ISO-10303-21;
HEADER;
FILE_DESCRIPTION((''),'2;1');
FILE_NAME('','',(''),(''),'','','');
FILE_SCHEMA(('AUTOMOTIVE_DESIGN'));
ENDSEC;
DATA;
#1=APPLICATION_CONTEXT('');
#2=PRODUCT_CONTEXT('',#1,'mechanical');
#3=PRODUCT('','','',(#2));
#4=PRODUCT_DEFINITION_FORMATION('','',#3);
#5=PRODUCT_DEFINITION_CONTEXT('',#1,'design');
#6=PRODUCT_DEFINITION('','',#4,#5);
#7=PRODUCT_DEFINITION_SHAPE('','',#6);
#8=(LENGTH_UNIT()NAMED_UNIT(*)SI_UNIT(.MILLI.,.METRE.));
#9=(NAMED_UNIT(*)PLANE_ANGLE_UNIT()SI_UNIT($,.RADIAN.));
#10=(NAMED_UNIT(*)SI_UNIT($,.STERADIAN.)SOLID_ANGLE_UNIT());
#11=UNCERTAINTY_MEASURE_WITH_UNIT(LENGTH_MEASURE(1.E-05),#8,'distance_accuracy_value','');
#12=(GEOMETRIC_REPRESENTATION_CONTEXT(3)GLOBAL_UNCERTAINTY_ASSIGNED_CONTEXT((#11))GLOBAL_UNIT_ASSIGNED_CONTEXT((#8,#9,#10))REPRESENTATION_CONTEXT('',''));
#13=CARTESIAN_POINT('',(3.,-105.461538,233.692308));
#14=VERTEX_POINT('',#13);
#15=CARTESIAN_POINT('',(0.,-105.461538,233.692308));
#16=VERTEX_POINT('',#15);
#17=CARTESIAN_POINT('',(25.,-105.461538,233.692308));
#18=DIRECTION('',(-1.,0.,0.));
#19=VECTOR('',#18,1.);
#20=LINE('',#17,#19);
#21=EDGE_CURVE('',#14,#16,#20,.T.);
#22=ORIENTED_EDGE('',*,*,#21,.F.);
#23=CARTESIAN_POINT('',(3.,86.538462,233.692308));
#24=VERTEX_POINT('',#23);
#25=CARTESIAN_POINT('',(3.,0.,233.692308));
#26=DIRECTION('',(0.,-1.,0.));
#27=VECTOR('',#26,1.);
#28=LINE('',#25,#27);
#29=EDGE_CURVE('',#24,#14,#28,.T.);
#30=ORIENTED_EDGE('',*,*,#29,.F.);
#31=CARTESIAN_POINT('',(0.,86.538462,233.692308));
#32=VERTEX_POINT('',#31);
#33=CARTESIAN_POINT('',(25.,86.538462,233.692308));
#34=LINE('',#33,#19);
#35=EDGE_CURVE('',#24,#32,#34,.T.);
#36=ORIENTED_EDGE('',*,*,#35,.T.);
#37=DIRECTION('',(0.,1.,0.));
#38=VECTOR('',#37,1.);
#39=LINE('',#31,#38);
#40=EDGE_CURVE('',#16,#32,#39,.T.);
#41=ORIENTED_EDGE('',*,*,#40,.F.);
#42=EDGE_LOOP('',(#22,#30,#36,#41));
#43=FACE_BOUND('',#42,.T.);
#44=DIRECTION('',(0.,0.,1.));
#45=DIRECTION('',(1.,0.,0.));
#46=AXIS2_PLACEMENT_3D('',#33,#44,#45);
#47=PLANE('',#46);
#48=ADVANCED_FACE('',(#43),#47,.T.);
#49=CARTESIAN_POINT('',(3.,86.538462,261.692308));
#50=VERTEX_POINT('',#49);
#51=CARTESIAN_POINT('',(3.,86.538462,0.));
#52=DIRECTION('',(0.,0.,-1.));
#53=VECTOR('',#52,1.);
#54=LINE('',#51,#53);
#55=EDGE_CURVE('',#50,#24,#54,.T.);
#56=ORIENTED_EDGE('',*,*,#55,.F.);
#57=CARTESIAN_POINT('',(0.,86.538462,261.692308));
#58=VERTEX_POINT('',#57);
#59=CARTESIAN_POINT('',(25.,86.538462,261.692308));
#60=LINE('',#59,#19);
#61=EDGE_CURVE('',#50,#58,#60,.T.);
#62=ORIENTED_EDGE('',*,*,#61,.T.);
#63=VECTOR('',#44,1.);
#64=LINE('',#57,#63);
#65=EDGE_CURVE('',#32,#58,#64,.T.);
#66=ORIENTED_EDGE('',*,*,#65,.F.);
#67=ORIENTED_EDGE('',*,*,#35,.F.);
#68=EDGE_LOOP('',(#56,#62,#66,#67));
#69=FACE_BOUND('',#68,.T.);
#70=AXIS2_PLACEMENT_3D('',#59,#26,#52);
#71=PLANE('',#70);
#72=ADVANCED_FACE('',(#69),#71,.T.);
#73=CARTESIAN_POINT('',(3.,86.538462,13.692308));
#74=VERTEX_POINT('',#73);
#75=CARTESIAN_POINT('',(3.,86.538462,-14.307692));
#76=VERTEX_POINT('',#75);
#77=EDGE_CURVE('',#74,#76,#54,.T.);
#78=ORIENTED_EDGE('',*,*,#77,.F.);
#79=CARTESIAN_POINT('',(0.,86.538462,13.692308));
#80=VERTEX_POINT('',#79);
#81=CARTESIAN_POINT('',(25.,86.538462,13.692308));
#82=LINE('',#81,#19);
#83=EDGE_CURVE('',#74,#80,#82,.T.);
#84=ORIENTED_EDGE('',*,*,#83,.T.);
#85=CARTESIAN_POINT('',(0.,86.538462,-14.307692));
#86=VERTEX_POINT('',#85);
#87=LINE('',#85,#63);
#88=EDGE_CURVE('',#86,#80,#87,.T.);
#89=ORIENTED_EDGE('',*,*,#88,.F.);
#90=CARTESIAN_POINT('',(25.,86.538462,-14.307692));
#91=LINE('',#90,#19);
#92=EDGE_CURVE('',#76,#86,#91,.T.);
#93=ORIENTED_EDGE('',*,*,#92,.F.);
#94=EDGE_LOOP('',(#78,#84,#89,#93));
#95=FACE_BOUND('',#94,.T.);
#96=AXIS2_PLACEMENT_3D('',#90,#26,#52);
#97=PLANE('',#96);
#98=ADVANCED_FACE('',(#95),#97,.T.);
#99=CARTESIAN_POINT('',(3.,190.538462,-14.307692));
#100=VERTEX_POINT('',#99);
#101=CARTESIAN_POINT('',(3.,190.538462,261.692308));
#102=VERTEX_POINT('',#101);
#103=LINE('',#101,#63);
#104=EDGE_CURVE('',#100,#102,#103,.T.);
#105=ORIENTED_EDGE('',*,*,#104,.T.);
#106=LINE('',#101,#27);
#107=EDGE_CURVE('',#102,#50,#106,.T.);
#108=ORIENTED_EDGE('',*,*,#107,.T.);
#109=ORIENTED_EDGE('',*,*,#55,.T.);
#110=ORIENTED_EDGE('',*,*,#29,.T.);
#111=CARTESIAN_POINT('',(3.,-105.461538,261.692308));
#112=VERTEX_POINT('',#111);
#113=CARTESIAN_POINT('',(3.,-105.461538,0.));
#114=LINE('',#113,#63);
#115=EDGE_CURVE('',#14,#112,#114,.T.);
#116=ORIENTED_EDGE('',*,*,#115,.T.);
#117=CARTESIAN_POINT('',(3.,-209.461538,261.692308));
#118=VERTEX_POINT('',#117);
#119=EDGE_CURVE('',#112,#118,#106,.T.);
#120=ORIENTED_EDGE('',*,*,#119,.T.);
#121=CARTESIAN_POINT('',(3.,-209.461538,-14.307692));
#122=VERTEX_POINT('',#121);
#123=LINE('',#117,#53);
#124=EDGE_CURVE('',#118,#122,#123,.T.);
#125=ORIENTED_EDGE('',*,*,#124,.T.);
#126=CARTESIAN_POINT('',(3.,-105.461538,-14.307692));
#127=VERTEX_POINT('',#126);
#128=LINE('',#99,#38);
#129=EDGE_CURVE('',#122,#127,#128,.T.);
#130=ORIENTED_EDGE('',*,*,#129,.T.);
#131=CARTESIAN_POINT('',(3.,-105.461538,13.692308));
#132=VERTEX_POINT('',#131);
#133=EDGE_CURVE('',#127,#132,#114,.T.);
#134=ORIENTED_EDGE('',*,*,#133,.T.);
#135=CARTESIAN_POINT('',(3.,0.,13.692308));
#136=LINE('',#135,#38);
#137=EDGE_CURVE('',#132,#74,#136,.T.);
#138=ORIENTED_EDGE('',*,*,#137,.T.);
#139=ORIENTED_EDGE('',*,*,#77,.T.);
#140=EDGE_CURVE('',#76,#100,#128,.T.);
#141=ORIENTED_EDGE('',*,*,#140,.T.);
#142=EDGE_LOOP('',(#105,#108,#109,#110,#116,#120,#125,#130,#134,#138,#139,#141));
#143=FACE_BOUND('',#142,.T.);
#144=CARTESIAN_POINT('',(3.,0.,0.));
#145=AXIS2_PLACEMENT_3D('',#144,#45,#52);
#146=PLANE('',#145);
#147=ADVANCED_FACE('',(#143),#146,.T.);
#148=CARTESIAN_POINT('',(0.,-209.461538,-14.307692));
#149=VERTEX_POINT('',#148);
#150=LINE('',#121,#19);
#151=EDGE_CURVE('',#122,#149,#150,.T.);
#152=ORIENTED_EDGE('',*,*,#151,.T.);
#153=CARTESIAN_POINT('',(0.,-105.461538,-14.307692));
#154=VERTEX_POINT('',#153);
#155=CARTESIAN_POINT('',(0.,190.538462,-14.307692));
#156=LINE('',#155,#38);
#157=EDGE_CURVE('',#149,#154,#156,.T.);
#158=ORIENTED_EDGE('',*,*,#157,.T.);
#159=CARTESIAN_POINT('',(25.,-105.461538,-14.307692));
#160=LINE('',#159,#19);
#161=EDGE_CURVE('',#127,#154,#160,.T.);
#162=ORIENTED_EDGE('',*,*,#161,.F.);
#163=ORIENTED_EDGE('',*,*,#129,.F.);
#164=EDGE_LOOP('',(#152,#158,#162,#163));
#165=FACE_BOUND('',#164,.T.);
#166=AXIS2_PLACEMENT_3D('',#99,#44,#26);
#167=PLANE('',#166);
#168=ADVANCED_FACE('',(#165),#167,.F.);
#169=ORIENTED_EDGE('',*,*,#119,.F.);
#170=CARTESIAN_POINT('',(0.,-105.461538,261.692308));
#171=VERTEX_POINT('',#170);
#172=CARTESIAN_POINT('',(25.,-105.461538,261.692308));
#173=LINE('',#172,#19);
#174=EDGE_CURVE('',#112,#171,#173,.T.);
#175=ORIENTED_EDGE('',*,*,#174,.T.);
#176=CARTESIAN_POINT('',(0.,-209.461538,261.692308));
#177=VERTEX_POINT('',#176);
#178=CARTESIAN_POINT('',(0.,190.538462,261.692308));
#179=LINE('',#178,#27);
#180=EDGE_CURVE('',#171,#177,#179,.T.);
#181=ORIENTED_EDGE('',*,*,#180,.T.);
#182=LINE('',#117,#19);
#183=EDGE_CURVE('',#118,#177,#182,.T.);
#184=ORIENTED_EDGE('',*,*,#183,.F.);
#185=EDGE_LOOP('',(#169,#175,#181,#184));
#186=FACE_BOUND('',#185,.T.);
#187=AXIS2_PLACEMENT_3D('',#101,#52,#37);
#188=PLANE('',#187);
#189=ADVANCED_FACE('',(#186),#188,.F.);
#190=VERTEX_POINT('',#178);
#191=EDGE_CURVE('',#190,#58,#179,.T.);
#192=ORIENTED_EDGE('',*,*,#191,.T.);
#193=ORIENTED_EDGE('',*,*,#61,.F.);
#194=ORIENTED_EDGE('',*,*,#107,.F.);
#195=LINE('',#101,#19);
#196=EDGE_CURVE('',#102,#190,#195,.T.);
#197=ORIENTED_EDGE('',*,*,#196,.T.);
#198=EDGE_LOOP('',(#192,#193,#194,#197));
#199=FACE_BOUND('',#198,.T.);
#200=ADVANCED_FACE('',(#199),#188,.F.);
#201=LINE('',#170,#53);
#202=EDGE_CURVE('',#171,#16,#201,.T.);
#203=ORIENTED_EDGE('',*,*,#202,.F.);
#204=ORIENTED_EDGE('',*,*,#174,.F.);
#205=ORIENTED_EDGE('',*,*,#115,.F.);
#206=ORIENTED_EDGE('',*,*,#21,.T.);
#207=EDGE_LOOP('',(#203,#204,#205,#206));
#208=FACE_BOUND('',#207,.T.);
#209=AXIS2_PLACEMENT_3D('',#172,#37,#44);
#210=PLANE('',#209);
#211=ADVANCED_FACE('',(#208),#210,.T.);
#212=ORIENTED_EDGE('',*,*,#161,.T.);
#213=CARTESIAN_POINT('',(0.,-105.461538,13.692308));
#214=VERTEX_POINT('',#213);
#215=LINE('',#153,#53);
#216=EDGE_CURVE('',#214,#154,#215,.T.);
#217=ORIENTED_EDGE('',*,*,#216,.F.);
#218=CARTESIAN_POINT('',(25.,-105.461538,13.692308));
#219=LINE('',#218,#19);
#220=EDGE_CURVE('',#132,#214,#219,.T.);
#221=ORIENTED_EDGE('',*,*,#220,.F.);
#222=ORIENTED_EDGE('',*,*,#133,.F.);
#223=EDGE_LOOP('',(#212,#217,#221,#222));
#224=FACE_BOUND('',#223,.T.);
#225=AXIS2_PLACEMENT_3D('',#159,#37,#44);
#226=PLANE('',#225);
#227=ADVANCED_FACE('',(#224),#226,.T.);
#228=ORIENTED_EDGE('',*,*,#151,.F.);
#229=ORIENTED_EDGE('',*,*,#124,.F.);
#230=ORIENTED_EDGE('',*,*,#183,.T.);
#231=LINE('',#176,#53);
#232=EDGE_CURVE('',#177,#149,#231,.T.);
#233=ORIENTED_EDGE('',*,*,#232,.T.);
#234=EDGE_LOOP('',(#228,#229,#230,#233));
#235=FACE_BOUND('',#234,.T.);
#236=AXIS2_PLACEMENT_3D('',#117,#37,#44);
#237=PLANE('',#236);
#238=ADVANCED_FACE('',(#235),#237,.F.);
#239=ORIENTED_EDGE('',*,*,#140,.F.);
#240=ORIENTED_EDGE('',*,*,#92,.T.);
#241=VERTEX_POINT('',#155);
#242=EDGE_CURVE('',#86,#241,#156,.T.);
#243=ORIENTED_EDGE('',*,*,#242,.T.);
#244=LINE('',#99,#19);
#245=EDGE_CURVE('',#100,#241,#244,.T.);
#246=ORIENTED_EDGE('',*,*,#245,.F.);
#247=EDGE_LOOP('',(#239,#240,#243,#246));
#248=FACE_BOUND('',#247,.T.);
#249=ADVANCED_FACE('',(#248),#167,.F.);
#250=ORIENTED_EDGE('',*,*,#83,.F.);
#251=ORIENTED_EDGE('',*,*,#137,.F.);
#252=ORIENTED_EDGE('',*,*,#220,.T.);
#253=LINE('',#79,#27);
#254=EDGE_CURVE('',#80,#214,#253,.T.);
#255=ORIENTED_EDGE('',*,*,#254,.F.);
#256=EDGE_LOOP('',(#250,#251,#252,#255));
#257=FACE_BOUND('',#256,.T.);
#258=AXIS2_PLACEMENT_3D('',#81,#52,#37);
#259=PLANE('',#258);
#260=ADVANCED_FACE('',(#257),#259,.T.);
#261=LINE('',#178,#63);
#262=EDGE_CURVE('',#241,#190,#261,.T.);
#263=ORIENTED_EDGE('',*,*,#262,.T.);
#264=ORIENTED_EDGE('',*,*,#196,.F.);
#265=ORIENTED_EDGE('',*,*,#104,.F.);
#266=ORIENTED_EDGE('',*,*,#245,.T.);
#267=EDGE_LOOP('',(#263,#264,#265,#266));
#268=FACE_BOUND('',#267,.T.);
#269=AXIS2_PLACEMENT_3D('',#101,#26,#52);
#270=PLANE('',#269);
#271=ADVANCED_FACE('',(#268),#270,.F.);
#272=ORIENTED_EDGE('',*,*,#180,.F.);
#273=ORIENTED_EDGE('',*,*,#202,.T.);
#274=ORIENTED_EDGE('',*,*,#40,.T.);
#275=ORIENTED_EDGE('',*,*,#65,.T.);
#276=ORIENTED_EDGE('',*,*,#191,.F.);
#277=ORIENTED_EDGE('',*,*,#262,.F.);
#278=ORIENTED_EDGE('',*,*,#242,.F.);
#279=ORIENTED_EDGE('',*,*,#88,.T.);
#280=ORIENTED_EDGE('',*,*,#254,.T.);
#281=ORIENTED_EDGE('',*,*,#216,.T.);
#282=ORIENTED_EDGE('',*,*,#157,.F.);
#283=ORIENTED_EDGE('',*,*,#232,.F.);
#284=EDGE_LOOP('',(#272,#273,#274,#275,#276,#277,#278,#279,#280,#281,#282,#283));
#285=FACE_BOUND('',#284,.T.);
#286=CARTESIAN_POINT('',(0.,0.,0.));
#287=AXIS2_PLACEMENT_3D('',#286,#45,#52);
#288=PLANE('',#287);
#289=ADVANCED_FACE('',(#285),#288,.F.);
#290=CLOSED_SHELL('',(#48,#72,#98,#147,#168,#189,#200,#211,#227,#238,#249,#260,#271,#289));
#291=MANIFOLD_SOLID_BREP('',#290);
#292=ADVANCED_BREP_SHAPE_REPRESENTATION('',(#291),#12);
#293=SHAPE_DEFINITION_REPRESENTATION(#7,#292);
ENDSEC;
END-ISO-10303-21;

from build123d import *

# Parameters (mm, degrees)
SKETCH1_W           = 276
SKETCH1_H           = 400
BOSS_EXTRUDE1_DEPTH = 3
SKETCH2_W           = 28
SKETCH2_H           = 192
CUT_EXTRUDE1_DEPTH  = 25


with BuildPart() as part:
    # Sketch1 → Boss-Extrude1 (new body)
    with BuildSketch(Plane(origin=(0, 0, 0), x_dir=(0, 0, -1), z_dir=(1, 0, 0))):
        with Locations((-123.692307692, -9.461538462)):
            Rectangle(SKETCH1_W, SKETCH1_H)
    extrude(amount=BOSS_EXTRUDE1_DEPTH)

    # Sketch2 → Cut-Extrude1 (cut)
    with BuildSketch(Plane(origin=(0, 0, 0), x_dir=(0, 0, -1), z_dir=(1, 0, 0))):
        with Locations((0.307692308, -9.461538462)):
            Rectangle(SKETCH2_W, SKETCH2_H)
        with Locations((-247.692307692, -9.461538462)):
            Rectangle(SKETCH2_W, SKETCH2_H)
    extrude(amount=CUT_EXTRUDE1_DEPTH, mode=Mode.SUBTRACT)


solid = part.part
